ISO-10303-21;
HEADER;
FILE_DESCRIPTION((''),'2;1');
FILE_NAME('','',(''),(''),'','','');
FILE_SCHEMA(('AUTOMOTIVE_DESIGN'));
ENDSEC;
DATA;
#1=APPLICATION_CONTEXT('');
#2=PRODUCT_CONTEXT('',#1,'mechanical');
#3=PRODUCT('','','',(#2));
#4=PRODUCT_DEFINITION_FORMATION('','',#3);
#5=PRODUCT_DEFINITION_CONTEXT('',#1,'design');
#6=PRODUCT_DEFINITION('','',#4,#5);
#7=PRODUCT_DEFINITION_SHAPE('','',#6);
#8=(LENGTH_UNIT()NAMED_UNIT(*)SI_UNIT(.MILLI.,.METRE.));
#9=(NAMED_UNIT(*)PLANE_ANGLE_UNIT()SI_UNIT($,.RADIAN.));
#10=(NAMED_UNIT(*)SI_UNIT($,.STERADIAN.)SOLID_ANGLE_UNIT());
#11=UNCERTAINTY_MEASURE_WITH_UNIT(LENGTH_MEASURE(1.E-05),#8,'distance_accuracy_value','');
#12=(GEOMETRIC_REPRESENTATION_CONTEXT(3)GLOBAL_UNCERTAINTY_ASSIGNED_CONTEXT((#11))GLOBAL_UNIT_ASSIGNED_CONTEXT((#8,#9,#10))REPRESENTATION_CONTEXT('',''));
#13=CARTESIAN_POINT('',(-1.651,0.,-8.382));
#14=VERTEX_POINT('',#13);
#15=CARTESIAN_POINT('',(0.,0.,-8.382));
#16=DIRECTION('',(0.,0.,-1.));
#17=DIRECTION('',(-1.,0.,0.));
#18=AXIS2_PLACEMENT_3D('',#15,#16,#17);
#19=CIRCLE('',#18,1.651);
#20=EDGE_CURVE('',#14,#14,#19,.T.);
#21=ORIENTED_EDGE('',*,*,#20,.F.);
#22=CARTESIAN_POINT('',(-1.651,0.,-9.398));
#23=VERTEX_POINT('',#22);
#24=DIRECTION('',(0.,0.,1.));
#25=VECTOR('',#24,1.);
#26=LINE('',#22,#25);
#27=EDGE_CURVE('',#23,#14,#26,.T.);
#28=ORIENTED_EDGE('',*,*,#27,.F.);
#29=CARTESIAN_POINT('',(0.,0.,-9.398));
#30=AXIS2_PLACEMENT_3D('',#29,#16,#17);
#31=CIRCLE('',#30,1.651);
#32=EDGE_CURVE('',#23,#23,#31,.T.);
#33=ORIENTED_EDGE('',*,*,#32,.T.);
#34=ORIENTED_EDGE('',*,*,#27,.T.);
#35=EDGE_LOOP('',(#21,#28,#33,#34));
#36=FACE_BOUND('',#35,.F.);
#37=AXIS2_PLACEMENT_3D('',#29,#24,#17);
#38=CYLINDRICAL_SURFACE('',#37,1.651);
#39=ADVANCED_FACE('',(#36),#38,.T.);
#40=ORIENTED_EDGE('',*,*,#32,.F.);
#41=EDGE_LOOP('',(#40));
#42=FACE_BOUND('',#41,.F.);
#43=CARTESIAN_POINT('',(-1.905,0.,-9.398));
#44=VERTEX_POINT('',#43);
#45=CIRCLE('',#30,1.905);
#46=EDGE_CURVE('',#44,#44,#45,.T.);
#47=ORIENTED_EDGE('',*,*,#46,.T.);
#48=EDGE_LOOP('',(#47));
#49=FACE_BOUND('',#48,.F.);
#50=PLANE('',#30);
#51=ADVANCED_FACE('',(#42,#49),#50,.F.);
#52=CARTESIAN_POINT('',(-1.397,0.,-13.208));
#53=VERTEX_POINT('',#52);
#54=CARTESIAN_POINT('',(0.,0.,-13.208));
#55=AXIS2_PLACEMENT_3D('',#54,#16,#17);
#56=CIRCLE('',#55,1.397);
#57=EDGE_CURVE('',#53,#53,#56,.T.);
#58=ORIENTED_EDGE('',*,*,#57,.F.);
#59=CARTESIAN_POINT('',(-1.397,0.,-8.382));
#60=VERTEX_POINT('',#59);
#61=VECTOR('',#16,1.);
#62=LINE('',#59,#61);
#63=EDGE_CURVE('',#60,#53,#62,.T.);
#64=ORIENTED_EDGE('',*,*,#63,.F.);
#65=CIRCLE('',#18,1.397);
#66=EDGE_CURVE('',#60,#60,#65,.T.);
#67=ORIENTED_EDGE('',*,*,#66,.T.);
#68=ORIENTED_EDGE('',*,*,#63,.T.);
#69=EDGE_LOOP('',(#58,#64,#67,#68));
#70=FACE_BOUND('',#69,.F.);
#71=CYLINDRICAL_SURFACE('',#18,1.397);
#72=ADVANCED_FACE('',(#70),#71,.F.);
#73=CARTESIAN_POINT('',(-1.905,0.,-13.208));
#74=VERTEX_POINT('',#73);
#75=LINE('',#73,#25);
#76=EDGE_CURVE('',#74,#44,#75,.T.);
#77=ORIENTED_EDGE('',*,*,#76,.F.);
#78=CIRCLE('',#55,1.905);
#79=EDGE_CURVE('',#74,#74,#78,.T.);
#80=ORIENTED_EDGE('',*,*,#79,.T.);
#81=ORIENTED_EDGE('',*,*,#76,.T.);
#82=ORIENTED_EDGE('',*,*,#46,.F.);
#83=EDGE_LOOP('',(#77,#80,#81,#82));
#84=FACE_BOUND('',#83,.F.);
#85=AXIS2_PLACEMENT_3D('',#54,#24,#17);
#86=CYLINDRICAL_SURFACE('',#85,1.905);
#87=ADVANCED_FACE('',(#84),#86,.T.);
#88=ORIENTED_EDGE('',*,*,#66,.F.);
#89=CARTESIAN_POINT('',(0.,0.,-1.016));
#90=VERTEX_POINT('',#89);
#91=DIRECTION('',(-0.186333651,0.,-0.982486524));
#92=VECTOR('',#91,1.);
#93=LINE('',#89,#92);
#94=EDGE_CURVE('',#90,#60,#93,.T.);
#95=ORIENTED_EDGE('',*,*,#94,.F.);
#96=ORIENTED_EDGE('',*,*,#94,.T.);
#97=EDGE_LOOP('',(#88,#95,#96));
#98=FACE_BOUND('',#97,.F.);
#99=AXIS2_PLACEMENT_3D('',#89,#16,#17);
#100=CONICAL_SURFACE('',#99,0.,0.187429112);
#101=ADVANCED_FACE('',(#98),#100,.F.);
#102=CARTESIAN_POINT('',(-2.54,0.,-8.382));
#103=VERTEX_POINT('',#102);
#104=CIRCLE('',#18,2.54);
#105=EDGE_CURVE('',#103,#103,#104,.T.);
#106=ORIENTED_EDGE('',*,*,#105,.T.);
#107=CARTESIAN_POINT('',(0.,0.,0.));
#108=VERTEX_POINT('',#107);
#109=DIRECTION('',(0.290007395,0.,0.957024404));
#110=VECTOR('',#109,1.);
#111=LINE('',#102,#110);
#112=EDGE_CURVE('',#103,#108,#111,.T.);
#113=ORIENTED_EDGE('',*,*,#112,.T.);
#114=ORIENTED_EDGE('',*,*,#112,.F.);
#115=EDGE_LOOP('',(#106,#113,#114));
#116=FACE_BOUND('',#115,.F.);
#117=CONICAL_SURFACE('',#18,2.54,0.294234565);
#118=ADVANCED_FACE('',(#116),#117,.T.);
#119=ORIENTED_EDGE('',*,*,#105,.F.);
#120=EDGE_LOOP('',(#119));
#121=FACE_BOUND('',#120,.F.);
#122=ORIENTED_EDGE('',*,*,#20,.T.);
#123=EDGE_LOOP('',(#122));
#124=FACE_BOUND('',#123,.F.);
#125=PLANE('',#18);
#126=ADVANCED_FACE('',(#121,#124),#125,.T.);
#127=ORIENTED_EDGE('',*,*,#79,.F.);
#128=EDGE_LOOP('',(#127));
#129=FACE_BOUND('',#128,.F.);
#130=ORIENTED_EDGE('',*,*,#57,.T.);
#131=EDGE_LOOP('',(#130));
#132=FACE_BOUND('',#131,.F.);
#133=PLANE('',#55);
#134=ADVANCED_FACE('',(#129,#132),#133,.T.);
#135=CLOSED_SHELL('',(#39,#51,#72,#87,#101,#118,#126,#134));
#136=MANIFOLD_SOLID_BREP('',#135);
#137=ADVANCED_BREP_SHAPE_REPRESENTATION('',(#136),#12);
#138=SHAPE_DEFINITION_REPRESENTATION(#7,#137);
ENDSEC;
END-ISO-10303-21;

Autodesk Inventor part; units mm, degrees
ref_plane "YZ Plane" through (0, 0, 0) normal (1, 0, 0) x (0, 1, 0)
ref_plane "XZ Plane" through (0, 0, 0) normal (0, 1, 0) x (-1, 0, 0)
ref_plane "XY Plane" through (0, 0, 0) normal (0, 0, 1) x (1, 0, 0)
sketch "Sketch1" plane through (0, 0, 0) normal (0, 1, 0) x (-1, 0, 0)
  line L0 (0, 0) -> (0, -8.382)
  line L1 (0, -8.382) -> (0, -9.398)
  line L2 (0, -9.398) -> (0, -13.208)
  line L3 (0, -8.382) -> (2.54, -8.382)
  line L4 (2.54, -8.382) -> (0, 0)
  line L5 (0, -9.398) -> (1.651, -9.398)
  line L6 (1.651, -9.398) -> (1.651, -8.382)
  line L7 (0, -13.208) -> (1.905, -13.208)
  line L8 (1.905, -13.208) -> (1.905, -9.398)
  line L9 (1.905, -9.398) -> (1.651, -9.398)
  line L10 (0, 0) -> (0, -1.016)
  line L11 (1.651, -8.382) -> (1.397, -8.382)
  line L12 (0, -1.016) -> (1.397, -8.382)
  line L13 (1.397, -8.382) -> (1.397, -13.208)
  dimension "d0" = 8.382
  dimension "d1" = 1.016
  dimension "d2" = 3.81
  dimension "d3" = 2.54
  dimension "d4" = 1.651
  dimension "d5" = 1.905
  dimension "d6" = 1.016
  dimension "d7" = 0.254
revolve "Revolution1" add sketch "Sketch1" angle 360 about axis through (0, 0, 0) along (0, 0, -1) contours L4 L3 L12 L0 | L3 L6 L5 L13 | L5 L9 L8 L7 L13
properties part number "Pencil Tip"
